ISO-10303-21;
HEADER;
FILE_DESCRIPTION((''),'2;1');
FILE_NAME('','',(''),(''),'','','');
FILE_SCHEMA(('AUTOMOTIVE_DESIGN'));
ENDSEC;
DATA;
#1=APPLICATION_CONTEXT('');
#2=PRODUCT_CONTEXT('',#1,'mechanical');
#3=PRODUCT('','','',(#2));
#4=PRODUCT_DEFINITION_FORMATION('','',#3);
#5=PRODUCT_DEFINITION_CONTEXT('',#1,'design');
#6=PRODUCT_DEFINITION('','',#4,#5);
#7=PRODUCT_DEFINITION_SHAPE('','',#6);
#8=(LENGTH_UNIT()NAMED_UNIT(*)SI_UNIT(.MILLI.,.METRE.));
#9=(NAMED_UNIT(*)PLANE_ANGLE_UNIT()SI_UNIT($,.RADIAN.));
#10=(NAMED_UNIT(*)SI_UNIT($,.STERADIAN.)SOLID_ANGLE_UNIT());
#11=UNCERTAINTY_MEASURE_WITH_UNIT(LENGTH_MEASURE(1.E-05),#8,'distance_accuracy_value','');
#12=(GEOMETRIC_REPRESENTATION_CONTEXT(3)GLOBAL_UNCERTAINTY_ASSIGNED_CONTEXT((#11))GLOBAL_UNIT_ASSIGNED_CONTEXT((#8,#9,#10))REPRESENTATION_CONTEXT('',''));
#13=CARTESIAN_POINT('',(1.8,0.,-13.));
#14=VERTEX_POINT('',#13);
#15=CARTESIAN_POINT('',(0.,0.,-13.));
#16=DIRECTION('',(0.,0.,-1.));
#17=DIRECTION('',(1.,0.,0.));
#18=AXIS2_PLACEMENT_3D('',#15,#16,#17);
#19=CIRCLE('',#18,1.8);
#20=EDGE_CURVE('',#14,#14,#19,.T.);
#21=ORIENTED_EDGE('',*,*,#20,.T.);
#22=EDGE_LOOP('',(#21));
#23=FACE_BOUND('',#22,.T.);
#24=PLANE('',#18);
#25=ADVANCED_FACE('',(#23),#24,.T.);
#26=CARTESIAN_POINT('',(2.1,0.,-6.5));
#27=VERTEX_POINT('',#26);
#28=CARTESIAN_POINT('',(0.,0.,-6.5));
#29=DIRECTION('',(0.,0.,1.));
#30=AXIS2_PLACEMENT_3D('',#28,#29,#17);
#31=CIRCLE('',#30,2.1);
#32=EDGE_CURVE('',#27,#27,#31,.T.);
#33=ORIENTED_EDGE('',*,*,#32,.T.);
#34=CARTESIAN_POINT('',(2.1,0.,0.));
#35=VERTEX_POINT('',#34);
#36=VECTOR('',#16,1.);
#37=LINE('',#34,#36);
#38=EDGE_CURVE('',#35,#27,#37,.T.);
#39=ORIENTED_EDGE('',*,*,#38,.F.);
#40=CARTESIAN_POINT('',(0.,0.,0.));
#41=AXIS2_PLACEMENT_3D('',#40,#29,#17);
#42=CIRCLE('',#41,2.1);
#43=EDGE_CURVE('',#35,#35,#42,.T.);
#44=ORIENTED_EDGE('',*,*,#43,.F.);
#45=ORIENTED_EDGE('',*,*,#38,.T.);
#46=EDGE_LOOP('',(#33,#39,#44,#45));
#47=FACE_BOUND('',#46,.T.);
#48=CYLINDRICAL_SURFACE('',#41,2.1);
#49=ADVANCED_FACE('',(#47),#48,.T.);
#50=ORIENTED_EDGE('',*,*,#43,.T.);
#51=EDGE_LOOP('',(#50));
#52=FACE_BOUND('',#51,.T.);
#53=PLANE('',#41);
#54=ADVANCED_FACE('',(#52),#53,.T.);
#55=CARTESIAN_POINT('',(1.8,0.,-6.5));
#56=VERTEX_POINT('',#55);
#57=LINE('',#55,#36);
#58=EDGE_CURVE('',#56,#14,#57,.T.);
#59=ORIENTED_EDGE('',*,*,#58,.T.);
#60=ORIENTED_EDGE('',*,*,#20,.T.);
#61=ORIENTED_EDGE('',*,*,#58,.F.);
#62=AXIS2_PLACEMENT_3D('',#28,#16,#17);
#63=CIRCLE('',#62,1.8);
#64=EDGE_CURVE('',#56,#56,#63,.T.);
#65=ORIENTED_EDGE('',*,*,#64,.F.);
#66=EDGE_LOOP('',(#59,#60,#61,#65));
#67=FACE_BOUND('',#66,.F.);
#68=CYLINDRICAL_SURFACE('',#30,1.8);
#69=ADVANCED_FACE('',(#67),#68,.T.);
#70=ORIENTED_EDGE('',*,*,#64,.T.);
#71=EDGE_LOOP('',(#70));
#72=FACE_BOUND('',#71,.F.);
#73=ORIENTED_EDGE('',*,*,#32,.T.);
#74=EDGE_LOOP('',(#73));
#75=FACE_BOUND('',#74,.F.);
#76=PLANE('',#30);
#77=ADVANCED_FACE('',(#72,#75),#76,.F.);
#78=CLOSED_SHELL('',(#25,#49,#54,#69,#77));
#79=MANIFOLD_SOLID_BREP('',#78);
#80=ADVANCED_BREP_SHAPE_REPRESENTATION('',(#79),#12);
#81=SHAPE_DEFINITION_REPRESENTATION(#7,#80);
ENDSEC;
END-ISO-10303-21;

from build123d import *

# Parameters (mm, degrees)
F0_R     = 2.1
F1_DEPTH = 6.5
F2_R     = 1.8
F3_DEPTH = 6.5


with BuildPart() as f1:
    # F0 (on Top) → F1 (new body)
    with BuildSketch(Plane.XY):
        Circle(F0_R)
    extrude(amount=-F1_DEPTH)

    # F2 (on face) → F3 (join)
    with BuildSketch(Plane(origin=(0, 0, -6.5), x_dir=(1, 0, 0), z_dir=(0, 0, -1))):
        Circle(F2_R)
    extrude(amount=F3_DEPTH)


solid = f1.part
